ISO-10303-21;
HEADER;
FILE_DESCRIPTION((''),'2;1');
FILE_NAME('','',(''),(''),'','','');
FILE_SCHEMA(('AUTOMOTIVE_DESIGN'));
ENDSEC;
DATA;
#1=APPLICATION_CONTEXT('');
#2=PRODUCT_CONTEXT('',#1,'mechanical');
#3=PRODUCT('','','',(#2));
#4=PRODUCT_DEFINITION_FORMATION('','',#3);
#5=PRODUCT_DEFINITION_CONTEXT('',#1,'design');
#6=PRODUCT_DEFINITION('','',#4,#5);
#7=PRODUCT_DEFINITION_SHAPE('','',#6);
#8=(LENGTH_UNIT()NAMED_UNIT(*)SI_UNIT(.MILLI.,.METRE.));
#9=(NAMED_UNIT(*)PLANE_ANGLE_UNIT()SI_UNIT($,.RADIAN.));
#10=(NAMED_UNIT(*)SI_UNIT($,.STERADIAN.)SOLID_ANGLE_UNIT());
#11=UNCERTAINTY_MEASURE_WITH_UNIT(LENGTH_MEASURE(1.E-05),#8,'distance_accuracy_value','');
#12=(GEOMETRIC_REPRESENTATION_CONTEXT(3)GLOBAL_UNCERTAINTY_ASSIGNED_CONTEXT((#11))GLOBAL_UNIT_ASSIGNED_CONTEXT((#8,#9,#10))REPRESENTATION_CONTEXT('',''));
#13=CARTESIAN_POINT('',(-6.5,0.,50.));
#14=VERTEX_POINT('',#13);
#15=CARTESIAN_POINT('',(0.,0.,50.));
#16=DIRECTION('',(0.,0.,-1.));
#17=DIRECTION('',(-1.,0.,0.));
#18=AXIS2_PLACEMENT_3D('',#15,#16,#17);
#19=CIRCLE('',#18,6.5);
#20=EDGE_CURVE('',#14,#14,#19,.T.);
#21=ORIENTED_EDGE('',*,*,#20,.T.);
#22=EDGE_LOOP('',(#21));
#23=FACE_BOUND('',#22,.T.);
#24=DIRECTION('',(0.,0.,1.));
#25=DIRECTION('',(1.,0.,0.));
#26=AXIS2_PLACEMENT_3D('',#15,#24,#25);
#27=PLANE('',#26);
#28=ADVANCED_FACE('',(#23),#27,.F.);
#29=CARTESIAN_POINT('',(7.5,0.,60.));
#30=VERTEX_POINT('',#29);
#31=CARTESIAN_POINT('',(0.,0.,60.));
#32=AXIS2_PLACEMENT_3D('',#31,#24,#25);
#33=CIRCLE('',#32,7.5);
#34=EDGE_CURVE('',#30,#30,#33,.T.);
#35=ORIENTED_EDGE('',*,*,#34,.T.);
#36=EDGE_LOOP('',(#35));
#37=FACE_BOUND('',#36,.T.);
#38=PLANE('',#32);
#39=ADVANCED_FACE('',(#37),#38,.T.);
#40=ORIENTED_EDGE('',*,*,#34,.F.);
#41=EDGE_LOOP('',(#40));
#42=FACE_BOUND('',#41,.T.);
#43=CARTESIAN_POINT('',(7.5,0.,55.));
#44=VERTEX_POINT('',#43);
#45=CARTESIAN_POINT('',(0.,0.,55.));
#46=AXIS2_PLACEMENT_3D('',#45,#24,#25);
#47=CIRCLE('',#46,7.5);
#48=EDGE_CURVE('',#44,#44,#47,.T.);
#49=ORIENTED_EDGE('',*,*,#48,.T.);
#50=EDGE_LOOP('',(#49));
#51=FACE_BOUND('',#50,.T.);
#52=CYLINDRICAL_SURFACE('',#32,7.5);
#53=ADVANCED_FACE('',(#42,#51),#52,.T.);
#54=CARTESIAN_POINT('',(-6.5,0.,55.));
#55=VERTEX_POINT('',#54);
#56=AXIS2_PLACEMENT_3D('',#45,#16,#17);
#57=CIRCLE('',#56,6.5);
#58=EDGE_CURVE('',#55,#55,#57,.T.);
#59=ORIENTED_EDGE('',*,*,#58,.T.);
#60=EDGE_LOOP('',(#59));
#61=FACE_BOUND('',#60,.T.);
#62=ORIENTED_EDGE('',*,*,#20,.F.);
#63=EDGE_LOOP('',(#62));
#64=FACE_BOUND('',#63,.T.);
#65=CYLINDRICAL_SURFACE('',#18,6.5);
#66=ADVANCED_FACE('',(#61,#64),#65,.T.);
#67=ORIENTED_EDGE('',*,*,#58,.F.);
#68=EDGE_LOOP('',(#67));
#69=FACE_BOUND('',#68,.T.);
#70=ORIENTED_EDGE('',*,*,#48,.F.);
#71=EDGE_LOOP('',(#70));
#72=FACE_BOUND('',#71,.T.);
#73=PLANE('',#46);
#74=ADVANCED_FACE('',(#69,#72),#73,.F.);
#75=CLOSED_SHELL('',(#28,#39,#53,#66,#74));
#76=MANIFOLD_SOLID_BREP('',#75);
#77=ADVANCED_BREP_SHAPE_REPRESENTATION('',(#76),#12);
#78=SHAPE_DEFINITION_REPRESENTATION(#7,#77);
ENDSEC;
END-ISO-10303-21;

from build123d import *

# Parameters (mm, degrees)
SKETCH_5_W = 6.5
SKETCH_5_H = 5
SKETCH_7_W = 7.5
SKETCH_7_H = 5


with BuildPart() as part:
    # ｽｹｯﾁ5 → 回転4 (revolve)
    with BuildSketch(Plane(origin=(0, 0, 0), x_dir=(1, 0, 0), z_dir=(0, 1, 0))):
        with Locations((-3.25, -52.5)):
            Rectangle(SKETCH_5_W, SKETCH_5_H)
    revolve(axis=Axis((0, 0, 50), (0, 0, 1)))

    # ｽｹｯﾁ7 → 回転5 (revolve)
    with BuildSketch(Plane(origin=(0, 0, 0), x_dir=(1, 0, 0), z_dir=(0, 1, 0))):
        with Locations((3.75, -57.5)):
            Rectangle(SKETCH_7_W, SKETCH_7_H)
    revolve(axis=Axis((0, 0, 60), (0, 0, -1)))


solid = part.part
